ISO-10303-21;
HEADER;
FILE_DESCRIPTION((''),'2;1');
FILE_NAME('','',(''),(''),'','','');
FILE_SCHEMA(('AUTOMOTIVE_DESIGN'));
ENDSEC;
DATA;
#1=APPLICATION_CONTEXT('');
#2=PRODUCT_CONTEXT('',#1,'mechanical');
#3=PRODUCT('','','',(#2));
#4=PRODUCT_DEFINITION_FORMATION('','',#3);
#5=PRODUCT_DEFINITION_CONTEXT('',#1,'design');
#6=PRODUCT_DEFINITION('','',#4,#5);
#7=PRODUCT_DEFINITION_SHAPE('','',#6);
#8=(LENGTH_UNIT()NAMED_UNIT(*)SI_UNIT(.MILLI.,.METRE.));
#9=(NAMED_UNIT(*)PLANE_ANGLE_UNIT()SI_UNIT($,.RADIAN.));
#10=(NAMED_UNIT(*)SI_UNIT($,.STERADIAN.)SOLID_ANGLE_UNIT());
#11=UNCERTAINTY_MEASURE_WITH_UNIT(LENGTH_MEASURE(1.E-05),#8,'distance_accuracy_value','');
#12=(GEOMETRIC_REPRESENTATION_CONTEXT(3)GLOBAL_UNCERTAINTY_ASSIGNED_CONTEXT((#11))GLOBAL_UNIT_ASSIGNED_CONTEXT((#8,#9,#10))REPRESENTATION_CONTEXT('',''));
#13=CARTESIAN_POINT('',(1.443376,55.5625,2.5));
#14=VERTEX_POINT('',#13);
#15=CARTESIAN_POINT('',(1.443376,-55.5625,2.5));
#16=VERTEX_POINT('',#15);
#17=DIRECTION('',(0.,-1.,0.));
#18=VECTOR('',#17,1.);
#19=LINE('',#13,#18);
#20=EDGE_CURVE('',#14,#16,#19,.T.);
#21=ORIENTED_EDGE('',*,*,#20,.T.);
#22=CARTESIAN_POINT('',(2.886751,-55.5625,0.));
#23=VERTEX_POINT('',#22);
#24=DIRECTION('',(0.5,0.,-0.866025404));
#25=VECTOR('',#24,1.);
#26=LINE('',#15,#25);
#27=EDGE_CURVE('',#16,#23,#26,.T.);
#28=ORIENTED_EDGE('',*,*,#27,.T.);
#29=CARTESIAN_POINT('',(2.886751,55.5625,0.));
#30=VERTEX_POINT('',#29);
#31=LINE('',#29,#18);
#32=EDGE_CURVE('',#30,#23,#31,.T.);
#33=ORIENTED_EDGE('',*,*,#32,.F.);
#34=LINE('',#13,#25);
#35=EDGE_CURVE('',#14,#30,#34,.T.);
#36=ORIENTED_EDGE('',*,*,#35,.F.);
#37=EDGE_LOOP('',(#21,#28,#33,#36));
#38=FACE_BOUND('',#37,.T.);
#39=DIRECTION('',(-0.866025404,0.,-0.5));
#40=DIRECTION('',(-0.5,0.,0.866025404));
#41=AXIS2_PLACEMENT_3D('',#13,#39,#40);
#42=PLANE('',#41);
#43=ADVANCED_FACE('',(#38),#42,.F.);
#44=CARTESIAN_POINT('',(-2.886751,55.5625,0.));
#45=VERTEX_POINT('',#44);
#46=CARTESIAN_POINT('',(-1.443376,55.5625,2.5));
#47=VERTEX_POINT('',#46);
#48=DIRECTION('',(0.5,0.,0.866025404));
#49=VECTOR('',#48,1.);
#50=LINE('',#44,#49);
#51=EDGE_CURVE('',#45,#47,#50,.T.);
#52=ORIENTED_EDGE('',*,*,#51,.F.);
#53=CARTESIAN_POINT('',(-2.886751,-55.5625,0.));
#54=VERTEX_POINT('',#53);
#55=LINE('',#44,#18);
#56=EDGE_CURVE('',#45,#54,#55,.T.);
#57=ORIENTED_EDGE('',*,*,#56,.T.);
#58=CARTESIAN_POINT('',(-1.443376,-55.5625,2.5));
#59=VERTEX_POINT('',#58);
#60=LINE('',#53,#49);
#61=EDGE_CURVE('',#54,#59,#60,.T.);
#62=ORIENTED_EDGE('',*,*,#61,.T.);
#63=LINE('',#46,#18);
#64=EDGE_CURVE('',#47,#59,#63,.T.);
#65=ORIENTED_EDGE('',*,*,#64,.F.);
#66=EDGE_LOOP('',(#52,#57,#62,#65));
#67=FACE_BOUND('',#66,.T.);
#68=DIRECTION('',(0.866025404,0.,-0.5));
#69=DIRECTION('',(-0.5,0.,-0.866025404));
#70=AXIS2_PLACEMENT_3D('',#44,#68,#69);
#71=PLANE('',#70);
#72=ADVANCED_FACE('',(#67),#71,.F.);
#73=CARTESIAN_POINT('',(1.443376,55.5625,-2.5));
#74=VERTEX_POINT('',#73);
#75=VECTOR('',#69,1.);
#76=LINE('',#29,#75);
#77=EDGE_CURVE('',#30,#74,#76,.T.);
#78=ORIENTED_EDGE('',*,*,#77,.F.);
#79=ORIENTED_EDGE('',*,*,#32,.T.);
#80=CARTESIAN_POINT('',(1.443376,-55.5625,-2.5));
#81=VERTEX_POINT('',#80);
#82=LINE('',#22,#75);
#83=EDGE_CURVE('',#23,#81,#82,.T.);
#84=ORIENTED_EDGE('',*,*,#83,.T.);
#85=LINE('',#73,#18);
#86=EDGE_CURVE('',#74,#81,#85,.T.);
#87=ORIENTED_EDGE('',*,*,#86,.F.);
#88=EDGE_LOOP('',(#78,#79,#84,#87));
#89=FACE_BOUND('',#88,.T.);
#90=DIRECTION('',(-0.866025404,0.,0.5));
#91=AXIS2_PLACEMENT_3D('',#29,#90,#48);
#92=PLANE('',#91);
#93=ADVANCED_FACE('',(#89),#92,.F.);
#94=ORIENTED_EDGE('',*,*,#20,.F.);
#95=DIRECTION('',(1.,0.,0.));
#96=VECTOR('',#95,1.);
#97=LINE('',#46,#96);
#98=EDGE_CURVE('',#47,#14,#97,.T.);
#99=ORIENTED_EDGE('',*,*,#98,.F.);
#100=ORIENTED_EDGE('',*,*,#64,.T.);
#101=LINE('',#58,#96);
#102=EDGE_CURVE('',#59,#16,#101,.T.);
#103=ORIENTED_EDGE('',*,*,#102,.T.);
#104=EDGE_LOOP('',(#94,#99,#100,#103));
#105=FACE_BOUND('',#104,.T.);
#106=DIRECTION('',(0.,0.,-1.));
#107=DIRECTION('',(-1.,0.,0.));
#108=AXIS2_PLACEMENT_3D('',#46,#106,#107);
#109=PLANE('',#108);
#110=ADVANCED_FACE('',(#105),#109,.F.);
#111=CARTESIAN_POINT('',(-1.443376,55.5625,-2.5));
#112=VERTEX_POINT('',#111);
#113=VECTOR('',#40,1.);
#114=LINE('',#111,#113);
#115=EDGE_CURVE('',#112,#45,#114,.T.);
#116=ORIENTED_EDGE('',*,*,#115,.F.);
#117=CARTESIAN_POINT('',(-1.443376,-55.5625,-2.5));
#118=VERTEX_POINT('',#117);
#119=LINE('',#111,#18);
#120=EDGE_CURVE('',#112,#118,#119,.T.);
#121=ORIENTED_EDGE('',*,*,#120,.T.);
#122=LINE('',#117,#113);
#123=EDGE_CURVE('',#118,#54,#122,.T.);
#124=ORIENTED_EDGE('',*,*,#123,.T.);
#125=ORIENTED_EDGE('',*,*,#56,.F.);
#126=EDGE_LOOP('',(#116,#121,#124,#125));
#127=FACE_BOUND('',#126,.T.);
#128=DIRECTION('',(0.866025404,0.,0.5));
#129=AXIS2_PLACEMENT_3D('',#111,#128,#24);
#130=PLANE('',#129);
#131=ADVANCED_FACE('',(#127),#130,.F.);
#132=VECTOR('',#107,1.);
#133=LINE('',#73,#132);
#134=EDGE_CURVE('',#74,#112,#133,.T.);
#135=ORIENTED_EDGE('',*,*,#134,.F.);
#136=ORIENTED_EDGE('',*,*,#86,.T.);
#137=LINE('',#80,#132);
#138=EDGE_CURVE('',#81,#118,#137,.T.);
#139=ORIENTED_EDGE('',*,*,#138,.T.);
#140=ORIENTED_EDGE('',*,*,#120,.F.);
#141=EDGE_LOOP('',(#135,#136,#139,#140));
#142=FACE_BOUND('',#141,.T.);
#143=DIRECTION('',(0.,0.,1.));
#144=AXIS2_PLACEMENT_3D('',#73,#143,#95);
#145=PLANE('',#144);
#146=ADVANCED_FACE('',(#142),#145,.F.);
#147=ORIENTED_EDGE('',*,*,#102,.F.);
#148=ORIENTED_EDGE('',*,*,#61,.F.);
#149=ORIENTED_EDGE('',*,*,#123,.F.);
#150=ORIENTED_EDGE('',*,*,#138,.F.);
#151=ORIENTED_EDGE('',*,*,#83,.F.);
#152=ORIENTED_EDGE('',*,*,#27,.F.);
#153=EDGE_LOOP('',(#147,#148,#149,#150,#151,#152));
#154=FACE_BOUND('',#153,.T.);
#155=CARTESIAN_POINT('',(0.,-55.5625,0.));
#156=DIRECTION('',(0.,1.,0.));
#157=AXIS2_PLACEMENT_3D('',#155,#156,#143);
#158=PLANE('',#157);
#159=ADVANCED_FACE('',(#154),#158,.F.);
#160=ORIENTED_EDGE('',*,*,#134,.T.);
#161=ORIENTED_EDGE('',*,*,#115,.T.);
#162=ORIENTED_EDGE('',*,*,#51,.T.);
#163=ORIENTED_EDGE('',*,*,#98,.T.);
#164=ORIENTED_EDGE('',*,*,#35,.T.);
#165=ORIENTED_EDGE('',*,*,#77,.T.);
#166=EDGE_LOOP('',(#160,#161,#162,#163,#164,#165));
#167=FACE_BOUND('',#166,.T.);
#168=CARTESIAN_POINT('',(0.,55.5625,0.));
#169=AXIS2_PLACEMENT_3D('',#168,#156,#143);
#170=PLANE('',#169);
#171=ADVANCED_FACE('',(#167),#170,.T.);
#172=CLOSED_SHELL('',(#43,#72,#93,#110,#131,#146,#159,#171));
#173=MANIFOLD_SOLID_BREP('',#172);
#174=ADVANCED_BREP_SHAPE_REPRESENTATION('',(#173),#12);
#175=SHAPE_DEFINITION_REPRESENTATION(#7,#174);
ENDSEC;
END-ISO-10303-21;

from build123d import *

# Parameters (mm, degrees)
BOSS_EXTRUDE1_DEPTH = 55.5625


with BuildPart() as part:
    # Sketch1 → Boss-Extrude1 (new, symmetric)
    with BuildSketch(Plane(origin=(0, 0, 0), x_dir=(1, 0, 0), z_dir=(0, 1, 0))):
        Polygon((2.886751346, 0), (1.443375673, 2.5), (-1.443375673, 2.5), (-2.886751346, 0), (-1.443375673, -2.5), (1.443375673, -2.5), align=None)
    extrude(amount=BOSS_EXTRUDE1_DEPTH, both=True)


solid = part.part
